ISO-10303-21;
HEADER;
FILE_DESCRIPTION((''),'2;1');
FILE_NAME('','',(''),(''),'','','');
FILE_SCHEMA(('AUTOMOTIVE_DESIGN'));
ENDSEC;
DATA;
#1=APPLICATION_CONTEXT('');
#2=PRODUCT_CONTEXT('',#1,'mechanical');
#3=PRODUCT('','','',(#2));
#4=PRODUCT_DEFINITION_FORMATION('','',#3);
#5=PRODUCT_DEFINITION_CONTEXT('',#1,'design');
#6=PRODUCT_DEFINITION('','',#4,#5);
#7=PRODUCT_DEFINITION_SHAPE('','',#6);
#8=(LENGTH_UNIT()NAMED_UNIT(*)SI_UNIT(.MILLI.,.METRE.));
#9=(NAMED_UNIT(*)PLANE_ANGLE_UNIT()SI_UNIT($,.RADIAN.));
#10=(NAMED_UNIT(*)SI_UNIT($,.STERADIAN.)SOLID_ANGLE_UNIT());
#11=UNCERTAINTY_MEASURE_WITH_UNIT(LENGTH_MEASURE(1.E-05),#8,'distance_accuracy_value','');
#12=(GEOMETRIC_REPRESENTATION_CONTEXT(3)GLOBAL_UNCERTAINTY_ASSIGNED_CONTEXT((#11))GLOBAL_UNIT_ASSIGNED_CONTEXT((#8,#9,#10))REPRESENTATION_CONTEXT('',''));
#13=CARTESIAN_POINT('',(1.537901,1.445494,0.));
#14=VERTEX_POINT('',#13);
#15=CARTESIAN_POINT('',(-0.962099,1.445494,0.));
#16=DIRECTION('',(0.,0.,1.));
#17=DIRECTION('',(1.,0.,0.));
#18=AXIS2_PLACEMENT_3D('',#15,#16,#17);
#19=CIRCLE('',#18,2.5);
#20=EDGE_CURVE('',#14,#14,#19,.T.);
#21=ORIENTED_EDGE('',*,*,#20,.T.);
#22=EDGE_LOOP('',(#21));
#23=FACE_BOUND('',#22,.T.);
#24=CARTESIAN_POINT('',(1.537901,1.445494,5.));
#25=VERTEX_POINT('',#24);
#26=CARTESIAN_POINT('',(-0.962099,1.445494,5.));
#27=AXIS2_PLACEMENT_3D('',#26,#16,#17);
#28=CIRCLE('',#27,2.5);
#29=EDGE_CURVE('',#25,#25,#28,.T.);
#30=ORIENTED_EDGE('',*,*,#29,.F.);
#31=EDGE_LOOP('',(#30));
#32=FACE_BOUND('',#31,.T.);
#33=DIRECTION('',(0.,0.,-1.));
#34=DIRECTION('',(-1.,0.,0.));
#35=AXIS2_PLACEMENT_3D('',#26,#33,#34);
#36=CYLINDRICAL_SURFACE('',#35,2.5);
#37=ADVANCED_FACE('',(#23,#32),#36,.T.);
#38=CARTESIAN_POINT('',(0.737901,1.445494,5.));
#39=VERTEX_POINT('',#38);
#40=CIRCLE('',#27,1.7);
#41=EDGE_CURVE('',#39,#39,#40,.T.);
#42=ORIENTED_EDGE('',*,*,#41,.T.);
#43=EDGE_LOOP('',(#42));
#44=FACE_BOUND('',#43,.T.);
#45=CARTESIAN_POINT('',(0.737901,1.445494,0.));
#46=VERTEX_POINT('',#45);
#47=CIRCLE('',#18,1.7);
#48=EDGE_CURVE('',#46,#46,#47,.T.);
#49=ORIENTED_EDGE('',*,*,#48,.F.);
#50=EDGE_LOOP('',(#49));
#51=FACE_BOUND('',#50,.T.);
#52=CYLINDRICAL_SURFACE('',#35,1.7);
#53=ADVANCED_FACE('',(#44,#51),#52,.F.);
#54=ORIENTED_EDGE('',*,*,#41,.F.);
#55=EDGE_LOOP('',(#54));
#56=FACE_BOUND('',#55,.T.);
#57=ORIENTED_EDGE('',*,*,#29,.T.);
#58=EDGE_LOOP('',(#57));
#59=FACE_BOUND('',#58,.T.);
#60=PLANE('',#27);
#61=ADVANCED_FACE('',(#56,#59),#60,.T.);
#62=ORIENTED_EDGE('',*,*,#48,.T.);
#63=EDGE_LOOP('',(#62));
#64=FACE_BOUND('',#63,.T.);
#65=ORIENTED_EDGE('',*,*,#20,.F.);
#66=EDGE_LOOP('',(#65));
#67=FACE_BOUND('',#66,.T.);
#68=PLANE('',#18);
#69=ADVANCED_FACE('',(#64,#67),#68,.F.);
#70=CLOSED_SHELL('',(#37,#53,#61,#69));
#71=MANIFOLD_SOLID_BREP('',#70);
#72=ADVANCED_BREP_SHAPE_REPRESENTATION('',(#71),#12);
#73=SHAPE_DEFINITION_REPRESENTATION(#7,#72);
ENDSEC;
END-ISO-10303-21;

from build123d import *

# Parameters (mm, degrees)
SKETCH_1_R      = 2.5
SKETCH_1_R_2    = 1.7
EXTRUDE_1_DEPTH = 5


with BuildPart() as part:
    # ｽｹｯﾁ1 → ﾎﾞｽ - 押し出し1 (new body)
    with BuildSketch(Plane.XY):
        with Locations((-0.962098668, 1.445493574)):
            Circle(SKETCH_1_R)
        with Locations((-0.962098668, 1.445493574)):
            Circle(SKETCH_1_R_2, mode=Mode.SUBTRACT)
    extrude(amount=EXTRUDE_1_DEPTH)


solid = part.part
